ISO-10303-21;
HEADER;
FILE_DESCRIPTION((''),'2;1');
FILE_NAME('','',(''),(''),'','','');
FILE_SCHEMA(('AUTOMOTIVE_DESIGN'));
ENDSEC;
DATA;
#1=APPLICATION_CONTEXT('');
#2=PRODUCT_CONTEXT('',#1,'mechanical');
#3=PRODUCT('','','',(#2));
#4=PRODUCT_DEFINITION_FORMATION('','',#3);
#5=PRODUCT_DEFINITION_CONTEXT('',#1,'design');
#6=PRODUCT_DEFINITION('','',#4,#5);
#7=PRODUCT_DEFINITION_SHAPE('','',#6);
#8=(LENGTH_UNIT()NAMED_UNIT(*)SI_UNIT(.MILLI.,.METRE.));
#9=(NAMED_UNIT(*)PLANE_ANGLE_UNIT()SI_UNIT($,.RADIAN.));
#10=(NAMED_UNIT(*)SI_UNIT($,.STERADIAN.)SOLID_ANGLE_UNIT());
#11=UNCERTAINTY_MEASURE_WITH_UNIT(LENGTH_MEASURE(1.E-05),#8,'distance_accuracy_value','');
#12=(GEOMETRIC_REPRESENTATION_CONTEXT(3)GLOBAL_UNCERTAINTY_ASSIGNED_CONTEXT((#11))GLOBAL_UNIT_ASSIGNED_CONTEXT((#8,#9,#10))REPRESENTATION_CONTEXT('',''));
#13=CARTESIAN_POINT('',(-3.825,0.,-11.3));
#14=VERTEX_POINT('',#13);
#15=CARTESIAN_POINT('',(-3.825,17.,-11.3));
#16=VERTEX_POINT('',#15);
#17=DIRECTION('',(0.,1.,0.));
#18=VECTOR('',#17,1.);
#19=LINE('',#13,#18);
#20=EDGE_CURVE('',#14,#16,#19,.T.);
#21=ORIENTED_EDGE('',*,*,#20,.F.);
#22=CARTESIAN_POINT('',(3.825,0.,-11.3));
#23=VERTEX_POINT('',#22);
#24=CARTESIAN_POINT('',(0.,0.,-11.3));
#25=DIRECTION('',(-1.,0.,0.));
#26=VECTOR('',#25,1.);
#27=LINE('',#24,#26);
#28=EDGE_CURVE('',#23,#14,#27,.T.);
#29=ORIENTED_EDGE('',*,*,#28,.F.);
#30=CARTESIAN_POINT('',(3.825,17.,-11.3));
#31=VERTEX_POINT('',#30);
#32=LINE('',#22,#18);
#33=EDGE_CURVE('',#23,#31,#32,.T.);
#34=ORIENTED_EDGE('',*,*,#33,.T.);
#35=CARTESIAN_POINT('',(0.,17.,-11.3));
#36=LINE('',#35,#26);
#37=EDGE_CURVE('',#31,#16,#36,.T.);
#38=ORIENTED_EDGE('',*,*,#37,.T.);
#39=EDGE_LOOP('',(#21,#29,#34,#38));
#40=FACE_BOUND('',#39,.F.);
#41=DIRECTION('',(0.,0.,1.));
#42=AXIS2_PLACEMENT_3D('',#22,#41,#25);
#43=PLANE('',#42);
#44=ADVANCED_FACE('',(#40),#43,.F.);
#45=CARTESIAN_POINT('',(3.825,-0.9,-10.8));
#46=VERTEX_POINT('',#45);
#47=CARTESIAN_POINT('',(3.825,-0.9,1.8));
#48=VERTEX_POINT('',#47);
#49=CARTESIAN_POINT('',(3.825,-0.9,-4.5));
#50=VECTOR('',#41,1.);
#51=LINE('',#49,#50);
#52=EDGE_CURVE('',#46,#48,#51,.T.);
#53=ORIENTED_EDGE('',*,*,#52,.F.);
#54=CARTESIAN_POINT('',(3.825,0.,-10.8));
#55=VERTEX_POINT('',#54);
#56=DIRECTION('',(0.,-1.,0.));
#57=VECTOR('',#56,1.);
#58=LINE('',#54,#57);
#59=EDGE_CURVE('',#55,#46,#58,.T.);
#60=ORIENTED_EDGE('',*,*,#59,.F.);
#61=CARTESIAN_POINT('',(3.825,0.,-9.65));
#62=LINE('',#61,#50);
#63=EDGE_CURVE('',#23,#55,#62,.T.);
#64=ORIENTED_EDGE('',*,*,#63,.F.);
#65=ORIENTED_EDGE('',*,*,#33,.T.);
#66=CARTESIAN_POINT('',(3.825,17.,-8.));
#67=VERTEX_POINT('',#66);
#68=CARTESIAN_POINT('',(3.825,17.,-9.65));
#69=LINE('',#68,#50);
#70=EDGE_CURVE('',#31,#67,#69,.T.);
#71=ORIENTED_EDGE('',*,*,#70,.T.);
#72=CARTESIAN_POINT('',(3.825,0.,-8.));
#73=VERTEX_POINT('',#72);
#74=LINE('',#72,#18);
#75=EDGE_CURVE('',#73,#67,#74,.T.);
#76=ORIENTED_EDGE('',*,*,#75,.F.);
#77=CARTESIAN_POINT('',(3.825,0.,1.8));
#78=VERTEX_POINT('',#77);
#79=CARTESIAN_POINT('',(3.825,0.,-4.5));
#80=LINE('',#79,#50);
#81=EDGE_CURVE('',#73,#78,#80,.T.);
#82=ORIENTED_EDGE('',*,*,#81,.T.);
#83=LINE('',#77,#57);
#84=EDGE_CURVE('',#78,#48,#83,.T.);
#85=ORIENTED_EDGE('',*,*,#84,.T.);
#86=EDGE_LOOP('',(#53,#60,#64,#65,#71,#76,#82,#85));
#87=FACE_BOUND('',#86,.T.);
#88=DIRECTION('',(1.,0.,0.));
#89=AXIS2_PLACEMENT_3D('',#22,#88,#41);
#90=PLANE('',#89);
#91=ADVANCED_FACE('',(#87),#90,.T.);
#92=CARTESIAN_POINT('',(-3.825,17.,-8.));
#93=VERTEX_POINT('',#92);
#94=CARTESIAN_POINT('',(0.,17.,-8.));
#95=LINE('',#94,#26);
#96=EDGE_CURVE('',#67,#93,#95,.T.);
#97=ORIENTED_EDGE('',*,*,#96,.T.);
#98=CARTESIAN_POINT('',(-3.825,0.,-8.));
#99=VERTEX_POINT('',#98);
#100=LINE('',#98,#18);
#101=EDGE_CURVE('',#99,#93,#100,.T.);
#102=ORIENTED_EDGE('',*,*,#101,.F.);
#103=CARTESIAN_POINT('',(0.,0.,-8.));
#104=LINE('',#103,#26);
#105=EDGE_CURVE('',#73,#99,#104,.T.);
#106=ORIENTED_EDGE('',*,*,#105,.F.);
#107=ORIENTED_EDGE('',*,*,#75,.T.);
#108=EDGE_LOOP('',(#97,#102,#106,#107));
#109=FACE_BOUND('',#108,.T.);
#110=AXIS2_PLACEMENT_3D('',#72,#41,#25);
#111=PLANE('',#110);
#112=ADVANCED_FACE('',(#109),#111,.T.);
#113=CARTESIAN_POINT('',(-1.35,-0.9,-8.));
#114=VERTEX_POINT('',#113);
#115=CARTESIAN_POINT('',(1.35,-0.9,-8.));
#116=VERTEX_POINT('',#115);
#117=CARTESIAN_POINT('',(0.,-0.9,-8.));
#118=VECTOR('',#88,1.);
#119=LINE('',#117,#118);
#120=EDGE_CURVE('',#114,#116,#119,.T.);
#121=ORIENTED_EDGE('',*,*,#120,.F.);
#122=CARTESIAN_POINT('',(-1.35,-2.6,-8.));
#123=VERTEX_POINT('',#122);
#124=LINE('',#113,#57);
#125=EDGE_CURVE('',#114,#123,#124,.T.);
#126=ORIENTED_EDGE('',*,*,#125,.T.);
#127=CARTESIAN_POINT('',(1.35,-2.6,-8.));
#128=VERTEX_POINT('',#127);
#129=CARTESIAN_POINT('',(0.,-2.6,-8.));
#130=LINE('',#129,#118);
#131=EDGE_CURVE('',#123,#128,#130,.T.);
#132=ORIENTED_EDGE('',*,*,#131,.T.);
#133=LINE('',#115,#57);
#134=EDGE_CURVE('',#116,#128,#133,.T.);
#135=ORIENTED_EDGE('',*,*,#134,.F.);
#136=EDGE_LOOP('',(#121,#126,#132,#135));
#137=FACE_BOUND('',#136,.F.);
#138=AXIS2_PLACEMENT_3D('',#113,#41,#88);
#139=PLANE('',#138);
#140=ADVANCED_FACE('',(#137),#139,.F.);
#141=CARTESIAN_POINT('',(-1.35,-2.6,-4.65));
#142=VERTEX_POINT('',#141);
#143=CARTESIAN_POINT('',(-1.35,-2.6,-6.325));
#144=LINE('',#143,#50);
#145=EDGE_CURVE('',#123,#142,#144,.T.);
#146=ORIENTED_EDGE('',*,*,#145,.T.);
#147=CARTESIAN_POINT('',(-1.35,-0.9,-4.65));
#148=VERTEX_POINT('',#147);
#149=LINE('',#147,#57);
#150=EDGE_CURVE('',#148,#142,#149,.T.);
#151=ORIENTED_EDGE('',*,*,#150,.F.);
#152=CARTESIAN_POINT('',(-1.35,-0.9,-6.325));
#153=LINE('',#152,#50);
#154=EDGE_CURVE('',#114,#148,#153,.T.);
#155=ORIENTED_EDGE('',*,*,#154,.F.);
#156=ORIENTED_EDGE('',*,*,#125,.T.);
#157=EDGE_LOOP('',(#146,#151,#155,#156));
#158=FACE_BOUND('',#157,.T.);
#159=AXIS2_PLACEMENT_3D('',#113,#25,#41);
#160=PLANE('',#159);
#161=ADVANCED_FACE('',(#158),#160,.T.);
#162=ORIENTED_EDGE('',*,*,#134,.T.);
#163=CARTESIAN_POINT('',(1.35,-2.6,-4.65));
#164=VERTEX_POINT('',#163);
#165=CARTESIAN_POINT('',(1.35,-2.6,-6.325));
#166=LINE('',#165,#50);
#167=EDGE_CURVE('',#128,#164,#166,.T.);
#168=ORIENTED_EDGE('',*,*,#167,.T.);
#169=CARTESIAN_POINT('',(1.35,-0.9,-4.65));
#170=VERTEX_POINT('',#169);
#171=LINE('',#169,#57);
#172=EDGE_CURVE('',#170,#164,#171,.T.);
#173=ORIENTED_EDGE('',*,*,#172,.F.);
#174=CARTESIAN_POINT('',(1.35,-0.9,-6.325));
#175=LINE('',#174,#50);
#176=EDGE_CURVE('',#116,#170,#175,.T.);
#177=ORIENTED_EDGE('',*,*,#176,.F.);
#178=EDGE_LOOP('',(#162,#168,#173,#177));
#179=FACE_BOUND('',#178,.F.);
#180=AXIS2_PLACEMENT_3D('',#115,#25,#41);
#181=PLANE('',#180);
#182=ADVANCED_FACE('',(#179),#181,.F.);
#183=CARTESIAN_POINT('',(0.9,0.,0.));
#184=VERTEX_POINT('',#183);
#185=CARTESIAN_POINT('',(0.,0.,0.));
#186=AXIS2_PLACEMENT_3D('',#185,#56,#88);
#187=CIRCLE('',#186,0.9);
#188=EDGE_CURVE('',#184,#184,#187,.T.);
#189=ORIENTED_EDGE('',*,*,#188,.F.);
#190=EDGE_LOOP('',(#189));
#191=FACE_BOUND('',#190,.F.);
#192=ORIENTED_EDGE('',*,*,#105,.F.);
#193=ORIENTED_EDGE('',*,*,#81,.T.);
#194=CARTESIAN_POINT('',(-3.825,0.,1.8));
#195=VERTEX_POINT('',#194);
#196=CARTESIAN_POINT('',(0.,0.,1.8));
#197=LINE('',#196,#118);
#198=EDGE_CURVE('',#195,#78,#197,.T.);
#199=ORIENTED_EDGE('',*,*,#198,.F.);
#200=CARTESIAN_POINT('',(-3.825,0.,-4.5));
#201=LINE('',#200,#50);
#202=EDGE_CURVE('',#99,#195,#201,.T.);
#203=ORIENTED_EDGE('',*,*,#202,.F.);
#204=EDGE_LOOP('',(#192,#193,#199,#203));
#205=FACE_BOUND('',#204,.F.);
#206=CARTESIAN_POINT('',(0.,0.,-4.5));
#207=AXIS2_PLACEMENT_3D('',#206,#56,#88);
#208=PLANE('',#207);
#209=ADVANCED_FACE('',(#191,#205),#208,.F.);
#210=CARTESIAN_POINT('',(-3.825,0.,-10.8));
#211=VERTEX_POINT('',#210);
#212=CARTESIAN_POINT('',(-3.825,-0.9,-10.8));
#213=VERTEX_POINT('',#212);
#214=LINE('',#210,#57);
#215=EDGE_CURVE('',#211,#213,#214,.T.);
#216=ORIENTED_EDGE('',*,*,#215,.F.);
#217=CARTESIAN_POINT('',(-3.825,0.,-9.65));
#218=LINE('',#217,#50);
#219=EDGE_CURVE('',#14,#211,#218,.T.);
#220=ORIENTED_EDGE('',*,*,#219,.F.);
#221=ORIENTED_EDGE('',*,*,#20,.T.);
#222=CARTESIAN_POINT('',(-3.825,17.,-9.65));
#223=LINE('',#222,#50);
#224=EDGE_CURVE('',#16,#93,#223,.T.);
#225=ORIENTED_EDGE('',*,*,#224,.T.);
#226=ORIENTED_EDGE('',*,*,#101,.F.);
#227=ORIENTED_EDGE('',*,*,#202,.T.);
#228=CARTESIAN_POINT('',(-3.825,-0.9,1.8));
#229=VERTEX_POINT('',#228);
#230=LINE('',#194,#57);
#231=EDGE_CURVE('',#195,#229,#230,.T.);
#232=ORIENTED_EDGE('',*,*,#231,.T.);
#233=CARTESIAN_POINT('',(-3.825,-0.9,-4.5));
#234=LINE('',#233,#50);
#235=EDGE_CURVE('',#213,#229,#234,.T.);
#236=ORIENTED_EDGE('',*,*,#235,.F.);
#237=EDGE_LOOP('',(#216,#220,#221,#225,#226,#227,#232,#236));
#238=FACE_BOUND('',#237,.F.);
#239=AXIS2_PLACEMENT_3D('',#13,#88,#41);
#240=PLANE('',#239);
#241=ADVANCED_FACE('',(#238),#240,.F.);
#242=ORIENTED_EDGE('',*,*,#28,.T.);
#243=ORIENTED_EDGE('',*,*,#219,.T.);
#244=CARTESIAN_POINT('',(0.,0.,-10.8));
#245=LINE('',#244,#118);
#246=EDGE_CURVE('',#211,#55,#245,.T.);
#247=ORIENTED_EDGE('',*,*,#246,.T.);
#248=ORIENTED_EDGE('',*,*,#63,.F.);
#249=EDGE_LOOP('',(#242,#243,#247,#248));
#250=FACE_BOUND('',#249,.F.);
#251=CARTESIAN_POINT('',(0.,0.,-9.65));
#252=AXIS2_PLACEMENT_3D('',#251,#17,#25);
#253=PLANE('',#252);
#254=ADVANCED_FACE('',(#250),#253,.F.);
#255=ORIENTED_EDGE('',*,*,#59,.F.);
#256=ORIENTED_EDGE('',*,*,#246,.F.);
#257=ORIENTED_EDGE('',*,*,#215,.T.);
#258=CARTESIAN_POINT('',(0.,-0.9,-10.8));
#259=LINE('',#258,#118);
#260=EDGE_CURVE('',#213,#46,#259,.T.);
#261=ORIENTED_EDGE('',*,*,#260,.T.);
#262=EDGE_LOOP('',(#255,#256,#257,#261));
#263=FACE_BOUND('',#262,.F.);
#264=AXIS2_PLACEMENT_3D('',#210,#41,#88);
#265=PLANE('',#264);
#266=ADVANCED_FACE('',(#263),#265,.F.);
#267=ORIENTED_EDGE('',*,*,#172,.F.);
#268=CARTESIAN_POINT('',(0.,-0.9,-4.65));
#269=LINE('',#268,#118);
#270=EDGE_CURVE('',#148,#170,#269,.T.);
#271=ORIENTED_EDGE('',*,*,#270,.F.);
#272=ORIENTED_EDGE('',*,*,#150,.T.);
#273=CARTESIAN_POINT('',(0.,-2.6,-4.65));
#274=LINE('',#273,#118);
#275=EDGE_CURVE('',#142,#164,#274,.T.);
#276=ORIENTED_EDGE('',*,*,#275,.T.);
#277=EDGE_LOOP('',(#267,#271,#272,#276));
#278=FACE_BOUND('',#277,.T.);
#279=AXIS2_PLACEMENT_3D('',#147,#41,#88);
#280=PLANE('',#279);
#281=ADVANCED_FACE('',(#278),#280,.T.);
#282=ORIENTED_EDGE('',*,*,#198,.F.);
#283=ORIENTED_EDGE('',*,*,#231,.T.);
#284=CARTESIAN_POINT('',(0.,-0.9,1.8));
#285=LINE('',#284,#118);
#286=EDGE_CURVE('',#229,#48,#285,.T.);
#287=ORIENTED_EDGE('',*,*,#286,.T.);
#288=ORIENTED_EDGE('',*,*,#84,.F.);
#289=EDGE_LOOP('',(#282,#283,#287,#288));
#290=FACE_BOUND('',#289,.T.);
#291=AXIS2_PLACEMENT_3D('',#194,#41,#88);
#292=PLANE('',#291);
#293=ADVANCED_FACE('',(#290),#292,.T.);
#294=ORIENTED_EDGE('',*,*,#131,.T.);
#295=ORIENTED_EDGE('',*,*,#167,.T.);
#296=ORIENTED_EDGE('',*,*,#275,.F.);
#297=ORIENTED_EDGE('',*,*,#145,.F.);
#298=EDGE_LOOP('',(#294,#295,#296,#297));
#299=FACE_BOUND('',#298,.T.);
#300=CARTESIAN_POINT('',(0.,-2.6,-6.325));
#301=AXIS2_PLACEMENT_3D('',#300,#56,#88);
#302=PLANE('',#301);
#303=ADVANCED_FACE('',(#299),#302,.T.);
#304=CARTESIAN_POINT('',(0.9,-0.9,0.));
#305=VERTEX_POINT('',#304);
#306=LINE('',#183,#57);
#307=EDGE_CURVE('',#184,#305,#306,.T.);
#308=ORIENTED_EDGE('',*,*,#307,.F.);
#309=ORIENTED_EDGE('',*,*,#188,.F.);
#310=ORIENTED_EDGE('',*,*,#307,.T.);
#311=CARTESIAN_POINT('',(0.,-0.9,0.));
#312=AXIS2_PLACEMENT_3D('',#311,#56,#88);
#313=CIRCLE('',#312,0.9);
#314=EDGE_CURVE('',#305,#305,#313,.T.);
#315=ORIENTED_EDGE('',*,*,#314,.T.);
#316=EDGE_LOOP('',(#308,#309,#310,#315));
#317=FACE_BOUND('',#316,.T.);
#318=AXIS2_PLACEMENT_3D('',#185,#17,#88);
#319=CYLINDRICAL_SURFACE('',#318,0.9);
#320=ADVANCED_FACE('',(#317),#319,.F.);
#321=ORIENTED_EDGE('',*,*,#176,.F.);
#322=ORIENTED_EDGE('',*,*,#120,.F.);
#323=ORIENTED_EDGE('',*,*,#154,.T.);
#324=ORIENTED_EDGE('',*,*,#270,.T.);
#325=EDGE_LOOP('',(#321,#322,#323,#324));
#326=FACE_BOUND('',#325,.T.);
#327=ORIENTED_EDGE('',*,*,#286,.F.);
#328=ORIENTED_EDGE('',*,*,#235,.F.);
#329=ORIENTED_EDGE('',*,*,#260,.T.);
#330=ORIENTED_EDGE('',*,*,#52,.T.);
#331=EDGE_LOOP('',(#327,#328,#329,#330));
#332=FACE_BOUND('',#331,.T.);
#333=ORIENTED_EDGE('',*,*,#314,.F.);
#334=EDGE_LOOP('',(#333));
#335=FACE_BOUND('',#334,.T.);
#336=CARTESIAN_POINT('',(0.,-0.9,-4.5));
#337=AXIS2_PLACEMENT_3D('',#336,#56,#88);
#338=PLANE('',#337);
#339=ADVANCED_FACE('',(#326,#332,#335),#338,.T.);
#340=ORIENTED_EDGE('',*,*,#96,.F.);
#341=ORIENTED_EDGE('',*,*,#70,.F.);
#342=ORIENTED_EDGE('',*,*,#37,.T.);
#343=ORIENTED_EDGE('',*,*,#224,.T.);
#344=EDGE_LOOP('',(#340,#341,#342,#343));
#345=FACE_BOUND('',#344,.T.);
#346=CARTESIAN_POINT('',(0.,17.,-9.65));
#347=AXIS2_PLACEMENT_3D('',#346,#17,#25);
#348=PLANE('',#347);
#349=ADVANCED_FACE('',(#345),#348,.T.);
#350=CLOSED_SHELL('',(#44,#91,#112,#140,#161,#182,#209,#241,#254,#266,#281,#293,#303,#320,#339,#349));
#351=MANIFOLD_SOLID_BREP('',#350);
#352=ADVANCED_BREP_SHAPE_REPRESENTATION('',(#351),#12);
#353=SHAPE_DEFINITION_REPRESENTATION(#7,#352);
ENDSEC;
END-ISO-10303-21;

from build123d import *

# Parameters (mm, degrees)
F0_W     = 7.65
F0_H     = 12.6
F0_R     = 0.9
F1_DEPTH = 0.9
F2_W     = 7.65
F2_H     = 3.3
F3_DEPTH = 17
F4_W     = 2.7
F4_H     = 3.35
F5_DEPTH = 1.7


with BuildPart() as f1:
    # F0 (on Front) → F1 (new body)
    with BuildSketch(Plane.XZ):
        with Locations((0, -4.5)):
            Rectangle(F0_W, F0_H)
        Circle(F0_R, mode=Mode.SUBTRACT)
    extrude(amount=F1_DEPTH)

    # F2 (on face) → F3 (join)
    with BuildSketch(Plane(origin=(0, 0, 0), x_dir=(-1, 0, 0), z_dir=(0, 1, 0))):
        with Locations((0, -9.65)):
            Rectangle(F2_W, F2_H)
    extrude(amount=F3_DEPTH)

    # F4 (on face) → F5 (join)
    with BuildSketch(Plane.XZ.offset(0.9)):
        with Locations((0, -6.325)):
            Rectangle(F4_W, F4_H)
    extrude(amount=F5_DEPTH)


solid = f1.part
